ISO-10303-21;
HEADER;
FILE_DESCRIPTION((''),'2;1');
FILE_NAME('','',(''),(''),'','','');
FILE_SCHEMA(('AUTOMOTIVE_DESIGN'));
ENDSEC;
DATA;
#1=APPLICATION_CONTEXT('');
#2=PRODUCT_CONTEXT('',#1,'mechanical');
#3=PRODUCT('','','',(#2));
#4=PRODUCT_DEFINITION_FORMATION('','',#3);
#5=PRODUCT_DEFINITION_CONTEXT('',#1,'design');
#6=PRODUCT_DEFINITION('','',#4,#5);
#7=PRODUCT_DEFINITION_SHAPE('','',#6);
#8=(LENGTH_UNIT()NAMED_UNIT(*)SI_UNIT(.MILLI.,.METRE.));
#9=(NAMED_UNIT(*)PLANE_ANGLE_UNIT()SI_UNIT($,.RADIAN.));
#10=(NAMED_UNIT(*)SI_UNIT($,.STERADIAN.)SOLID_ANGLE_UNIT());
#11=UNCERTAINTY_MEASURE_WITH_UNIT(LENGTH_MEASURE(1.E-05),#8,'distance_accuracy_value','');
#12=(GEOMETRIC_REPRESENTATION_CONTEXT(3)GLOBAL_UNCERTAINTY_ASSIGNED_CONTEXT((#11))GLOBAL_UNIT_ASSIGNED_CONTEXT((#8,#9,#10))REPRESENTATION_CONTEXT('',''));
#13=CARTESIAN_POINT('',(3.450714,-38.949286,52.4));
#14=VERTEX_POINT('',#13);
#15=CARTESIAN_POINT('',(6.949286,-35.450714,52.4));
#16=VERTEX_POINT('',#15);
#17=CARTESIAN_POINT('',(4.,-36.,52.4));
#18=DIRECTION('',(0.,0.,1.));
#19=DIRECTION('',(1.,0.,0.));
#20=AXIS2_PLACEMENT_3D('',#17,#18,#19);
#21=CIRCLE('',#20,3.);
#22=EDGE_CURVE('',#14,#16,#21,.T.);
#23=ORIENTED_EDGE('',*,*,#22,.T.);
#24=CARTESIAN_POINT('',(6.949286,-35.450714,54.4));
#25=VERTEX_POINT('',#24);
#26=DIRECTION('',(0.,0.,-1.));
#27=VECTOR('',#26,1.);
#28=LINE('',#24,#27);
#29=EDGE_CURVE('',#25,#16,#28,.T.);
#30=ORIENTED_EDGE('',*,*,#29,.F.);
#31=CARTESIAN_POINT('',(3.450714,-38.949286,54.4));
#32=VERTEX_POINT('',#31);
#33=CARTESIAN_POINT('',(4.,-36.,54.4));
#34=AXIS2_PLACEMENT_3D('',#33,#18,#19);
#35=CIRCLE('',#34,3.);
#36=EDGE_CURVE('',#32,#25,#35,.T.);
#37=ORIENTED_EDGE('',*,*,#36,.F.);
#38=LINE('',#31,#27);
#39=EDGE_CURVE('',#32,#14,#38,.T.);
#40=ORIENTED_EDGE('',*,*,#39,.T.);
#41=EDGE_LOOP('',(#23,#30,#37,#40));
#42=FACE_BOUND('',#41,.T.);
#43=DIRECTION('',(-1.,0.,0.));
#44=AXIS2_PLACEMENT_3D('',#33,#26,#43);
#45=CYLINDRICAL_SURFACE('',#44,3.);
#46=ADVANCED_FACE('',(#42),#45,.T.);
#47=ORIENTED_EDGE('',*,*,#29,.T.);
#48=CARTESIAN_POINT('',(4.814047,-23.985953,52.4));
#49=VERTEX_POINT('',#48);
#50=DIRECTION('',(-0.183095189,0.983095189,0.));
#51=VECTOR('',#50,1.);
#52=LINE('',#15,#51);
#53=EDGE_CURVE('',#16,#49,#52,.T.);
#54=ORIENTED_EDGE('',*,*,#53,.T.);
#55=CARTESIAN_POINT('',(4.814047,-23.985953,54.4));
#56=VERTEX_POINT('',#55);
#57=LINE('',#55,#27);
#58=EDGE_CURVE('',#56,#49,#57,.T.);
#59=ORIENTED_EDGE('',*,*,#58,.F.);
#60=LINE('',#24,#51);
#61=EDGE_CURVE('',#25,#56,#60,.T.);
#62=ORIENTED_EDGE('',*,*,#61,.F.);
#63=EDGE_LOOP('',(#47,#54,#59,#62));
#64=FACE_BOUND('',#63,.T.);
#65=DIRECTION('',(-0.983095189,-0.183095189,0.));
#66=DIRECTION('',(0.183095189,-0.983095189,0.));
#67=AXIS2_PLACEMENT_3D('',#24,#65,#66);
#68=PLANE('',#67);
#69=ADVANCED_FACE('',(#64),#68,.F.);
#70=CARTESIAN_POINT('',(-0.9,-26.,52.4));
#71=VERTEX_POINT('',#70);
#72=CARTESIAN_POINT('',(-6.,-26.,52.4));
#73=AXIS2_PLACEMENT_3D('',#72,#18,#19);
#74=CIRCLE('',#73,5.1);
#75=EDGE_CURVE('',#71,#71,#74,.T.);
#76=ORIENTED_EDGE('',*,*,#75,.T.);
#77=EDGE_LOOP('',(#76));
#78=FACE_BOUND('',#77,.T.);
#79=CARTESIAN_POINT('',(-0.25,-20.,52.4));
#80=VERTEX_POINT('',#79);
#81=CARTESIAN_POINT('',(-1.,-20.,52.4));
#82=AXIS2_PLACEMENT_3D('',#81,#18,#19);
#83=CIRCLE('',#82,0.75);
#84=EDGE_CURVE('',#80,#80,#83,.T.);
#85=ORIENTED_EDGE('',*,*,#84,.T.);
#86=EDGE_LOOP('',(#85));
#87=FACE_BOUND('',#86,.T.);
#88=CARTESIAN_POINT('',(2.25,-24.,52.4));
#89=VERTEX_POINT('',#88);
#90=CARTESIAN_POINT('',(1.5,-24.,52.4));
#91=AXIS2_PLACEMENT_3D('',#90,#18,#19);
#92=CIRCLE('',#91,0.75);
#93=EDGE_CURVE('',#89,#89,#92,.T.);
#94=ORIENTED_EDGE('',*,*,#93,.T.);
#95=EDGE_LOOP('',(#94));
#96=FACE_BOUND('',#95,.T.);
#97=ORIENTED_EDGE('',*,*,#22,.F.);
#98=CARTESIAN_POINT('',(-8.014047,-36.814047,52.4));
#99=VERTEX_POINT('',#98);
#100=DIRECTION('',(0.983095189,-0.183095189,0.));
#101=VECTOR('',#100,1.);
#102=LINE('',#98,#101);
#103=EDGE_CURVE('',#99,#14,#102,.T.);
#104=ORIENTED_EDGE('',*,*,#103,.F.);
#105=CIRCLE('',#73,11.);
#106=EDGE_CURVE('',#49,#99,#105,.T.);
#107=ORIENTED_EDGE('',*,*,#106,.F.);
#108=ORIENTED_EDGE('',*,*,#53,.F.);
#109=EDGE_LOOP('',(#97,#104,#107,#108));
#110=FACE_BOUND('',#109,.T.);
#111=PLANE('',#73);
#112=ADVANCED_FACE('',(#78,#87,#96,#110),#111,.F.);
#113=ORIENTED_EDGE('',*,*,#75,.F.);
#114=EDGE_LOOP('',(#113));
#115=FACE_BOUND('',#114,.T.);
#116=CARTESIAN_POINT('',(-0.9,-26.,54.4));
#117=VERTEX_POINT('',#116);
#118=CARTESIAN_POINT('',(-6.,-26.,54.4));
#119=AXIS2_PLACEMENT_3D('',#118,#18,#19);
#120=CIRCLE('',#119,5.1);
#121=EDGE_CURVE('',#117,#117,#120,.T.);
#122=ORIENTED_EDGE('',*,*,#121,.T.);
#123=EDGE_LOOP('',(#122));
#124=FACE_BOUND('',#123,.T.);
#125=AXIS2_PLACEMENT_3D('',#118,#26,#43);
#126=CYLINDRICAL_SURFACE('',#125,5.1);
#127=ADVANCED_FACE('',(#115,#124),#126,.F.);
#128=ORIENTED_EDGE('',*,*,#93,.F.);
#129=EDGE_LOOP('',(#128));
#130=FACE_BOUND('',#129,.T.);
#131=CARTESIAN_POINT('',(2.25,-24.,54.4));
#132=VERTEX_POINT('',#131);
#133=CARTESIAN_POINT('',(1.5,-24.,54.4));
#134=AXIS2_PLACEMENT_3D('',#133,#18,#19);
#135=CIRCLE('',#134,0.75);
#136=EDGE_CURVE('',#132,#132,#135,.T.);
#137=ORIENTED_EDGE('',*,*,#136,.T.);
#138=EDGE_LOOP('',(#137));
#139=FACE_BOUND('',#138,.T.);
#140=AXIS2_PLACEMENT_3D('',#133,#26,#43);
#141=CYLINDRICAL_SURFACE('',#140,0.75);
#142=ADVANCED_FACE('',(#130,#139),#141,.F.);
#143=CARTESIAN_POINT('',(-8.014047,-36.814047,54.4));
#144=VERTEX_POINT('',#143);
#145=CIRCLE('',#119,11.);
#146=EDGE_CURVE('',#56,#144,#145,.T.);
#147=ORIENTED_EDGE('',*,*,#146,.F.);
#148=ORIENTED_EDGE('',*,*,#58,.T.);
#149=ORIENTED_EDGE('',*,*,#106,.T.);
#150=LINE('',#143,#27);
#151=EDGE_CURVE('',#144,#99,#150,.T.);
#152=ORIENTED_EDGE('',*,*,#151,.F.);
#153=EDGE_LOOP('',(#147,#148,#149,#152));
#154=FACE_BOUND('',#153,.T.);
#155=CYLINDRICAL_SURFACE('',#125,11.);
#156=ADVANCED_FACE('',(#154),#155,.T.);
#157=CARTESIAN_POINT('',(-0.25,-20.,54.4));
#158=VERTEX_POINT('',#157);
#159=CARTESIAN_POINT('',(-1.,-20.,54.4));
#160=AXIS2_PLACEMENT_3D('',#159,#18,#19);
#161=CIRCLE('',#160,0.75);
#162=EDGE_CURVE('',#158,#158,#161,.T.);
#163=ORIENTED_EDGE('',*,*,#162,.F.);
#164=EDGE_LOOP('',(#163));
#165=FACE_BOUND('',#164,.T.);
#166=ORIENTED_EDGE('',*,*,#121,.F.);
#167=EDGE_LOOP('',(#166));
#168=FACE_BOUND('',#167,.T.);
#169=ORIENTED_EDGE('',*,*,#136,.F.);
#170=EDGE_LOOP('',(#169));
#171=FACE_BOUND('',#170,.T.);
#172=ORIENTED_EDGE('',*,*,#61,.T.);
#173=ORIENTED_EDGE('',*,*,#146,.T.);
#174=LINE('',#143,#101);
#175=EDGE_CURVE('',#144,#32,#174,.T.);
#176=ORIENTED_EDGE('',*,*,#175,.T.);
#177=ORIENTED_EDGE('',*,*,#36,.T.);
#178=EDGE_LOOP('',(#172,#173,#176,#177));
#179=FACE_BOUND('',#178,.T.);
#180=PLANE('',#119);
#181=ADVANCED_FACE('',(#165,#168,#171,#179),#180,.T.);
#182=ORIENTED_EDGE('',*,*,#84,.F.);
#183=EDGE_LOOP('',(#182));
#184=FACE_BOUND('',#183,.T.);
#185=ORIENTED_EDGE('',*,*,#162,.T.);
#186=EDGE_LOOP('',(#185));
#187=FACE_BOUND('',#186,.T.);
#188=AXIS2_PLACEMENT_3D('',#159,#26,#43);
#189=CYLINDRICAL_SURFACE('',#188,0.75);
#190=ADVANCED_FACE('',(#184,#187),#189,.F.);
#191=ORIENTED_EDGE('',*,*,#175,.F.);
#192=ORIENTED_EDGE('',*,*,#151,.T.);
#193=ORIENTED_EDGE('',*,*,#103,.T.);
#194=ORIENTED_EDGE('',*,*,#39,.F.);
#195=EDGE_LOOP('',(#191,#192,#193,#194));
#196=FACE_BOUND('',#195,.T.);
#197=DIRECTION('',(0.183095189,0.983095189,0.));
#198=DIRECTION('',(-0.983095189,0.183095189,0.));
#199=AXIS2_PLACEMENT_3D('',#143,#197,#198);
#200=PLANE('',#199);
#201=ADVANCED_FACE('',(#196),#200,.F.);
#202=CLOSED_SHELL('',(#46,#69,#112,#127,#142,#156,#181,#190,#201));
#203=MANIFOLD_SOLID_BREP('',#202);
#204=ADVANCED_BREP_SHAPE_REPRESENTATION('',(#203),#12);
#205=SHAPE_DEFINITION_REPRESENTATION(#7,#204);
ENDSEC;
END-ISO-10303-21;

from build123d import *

# Parameters (mm, degrees)
SK_PLACA_TOPE_R   = 5.1
SK_PLACA_TOPE_R_2 = 0.75
PLACA_TOPE_DEPTH  = 2


with BuildPart() as part:
    # Sk_Placa_tope → Placa_tope (new body)
    with BuildSketch(Plane.XY.offset(52.4)):
        with BuildLine():
            Line((-8.014047084, -36.814047084), (3.450714432, -38.949285568))
            ThreePointArc((3.450714432, -38.949285568), (6.121320344, -38.121320344), (6.949285568, -35.450714432))
            Line((6.949285568, -35.450714432), (4.814047084, -23.985952916))
            ThreePointArc((4.814047084, -23.985952916), (-13.778174593, -18.221825407), (-8.014047084, -36.814047084))
        make_face()
        with Locations((-6, -26)):
            Circle(SK_PLACA_TOPE_R, mode=Mode.SUBTRACT)
        with Locations((-1, -20)):
            Circle(SK_PLACA_TOPE_R_2, mode=Mode.SUBTRACT)
        with Locations((1.5, -24)):
            Circle(SK_PLACA_TOPE_R_2, mode=Mode.SUBTRACT)
    extrude(amount=PLACA_TOPE_DEPTH)


solid = part.part
